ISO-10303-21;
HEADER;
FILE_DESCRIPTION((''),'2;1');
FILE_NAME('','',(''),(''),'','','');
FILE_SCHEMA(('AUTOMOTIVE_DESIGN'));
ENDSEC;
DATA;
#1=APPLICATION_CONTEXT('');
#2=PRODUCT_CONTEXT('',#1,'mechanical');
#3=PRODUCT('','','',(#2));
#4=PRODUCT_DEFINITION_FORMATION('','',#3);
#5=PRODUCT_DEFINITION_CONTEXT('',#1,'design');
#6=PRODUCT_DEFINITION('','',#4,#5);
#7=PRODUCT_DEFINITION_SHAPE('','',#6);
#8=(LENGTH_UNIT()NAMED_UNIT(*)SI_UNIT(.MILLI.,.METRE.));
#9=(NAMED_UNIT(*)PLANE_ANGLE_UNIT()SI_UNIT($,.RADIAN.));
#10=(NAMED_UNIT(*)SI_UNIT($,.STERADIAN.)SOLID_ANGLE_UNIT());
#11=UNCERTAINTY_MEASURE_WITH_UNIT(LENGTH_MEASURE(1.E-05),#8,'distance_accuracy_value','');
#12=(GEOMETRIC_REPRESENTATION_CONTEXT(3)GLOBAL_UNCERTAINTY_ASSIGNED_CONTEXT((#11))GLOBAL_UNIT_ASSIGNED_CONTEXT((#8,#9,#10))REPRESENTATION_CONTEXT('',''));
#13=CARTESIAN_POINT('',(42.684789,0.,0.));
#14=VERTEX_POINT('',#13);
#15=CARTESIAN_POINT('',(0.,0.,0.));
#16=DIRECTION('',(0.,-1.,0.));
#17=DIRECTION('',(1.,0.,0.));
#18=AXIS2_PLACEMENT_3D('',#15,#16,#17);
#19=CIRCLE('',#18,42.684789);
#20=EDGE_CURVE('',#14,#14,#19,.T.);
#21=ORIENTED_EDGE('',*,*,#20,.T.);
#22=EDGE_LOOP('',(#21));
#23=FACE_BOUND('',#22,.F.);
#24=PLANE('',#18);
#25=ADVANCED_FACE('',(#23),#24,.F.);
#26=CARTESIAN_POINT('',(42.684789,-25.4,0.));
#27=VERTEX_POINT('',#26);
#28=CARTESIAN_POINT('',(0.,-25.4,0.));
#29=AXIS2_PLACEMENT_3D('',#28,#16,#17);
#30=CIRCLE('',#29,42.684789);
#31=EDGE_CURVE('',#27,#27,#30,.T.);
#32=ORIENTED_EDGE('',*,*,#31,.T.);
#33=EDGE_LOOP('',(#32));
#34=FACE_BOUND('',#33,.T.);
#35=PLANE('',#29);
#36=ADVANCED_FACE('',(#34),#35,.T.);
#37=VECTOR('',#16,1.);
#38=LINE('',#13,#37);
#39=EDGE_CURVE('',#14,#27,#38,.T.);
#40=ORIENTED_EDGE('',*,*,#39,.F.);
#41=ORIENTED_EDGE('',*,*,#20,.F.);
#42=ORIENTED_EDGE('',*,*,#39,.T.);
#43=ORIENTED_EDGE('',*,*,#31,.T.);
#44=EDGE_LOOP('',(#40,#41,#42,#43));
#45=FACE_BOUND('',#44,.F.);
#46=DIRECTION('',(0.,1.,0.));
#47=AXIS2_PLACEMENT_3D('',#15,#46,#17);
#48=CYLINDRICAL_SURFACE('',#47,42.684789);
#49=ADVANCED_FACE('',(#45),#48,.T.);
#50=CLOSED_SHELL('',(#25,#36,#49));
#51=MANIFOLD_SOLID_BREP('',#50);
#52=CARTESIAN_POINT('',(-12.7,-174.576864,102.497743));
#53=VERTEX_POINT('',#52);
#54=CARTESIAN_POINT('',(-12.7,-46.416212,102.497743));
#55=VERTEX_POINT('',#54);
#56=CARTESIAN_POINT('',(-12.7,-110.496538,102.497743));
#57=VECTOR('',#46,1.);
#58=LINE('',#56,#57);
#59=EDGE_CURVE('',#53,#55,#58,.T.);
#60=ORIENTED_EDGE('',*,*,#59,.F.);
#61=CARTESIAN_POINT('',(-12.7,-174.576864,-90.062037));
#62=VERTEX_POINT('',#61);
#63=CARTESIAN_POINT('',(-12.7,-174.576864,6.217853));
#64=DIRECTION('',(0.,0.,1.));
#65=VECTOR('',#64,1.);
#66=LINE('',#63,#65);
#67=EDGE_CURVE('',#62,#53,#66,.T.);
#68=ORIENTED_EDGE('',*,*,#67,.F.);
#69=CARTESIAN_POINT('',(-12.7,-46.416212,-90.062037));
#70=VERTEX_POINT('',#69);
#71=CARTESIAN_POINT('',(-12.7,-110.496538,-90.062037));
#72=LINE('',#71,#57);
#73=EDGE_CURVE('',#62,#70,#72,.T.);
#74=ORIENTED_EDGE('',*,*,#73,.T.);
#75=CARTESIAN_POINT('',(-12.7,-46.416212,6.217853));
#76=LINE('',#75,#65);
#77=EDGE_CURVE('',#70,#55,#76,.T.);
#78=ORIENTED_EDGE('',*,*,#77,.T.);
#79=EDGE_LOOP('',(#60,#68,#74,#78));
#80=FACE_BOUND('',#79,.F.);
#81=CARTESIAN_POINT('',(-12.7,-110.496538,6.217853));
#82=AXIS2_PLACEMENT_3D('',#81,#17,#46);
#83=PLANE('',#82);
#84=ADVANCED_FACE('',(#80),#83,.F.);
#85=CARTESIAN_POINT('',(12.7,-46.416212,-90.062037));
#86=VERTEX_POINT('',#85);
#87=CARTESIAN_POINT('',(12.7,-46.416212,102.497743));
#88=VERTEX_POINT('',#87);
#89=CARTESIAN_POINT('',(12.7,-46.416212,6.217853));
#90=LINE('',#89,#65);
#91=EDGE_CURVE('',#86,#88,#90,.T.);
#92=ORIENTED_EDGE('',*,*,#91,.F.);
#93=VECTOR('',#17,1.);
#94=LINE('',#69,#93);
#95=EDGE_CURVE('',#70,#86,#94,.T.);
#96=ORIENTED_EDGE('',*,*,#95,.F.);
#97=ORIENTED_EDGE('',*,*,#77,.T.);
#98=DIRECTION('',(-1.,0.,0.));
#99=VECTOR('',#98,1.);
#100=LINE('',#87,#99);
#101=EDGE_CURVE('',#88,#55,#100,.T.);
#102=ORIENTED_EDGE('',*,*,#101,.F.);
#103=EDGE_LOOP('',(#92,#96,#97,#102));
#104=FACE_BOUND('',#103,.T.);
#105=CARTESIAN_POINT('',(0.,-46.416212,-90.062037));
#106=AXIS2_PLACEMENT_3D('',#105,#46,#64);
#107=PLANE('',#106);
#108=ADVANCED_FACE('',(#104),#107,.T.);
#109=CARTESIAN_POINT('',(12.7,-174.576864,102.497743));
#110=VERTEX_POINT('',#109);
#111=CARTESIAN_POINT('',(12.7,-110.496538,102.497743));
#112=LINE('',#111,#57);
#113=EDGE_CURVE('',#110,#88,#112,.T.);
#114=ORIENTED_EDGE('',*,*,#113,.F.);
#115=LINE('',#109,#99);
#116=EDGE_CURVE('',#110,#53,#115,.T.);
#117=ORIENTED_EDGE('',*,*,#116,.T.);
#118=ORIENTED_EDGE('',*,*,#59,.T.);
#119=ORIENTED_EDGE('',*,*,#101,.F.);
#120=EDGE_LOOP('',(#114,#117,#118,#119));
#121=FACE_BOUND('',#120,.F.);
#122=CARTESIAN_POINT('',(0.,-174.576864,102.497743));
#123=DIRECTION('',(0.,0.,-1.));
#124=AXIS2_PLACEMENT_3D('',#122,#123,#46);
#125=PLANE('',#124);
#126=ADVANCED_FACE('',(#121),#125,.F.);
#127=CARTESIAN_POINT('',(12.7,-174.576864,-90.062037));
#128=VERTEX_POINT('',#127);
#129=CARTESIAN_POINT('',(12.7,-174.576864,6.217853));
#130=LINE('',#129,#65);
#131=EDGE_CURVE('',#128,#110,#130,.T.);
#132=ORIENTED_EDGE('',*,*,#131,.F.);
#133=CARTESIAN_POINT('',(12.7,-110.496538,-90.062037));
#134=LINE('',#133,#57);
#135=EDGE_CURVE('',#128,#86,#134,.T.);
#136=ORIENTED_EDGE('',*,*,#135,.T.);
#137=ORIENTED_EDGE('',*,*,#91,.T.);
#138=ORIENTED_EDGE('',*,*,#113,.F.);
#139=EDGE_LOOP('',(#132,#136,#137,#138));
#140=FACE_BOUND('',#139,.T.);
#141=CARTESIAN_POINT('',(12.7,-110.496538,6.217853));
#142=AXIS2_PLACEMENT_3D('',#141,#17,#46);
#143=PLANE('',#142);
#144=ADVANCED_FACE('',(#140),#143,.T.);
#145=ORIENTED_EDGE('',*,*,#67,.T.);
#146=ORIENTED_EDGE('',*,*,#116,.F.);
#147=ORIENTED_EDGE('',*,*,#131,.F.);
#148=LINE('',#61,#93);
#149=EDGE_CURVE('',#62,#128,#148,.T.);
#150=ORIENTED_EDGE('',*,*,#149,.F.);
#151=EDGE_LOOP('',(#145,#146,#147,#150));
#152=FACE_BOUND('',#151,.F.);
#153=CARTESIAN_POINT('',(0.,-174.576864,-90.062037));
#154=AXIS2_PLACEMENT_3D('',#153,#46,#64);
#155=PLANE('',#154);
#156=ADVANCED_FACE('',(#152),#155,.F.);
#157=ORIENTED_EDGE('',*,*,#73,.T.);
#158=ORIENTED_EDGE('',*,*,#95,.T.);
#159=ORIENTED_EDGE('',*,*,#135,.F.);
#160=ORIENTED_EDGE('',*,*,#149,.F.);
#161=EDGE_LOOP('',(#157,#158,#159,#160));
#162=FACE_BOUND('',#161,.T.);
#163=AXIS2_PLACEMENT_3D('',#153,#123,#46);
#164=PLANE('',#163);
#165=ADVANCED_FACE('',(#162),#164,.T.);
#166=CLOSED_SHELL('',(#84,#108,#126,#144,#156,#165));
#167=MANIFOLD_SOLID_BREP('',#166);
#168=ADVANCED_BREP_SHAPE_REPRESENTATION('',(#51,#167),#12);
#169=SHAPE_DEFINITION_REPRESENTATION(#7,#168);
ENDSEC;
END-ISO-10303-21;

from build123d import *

# Parameters (mm, degrees)
F0_R     = 42.684789
F1_DEPTH = 25.4
F2_W     = 128.160652
F2_H     = 192.559779
F3_DEPTH = 12.7


with BuildPart() as f1:
    # F0 (on Front) → F1 (new body)
    with BuildSketch(Plane.XZ):
        Circle(F0_R)
    extrude(amount=F1_DEPTH)


with BuildPart() as f3:
    # F2 (on Right) → F3 (new body, symmetric)
    with BuildSketch(Plane.YZ):
        with Locations((-110.496538, 6.217853)):
            Rectangle(F2_W, F2_H)
    extrude(amount=F3_DEPTH, both=True)


solid = Compound([f1.part, f3.part])
